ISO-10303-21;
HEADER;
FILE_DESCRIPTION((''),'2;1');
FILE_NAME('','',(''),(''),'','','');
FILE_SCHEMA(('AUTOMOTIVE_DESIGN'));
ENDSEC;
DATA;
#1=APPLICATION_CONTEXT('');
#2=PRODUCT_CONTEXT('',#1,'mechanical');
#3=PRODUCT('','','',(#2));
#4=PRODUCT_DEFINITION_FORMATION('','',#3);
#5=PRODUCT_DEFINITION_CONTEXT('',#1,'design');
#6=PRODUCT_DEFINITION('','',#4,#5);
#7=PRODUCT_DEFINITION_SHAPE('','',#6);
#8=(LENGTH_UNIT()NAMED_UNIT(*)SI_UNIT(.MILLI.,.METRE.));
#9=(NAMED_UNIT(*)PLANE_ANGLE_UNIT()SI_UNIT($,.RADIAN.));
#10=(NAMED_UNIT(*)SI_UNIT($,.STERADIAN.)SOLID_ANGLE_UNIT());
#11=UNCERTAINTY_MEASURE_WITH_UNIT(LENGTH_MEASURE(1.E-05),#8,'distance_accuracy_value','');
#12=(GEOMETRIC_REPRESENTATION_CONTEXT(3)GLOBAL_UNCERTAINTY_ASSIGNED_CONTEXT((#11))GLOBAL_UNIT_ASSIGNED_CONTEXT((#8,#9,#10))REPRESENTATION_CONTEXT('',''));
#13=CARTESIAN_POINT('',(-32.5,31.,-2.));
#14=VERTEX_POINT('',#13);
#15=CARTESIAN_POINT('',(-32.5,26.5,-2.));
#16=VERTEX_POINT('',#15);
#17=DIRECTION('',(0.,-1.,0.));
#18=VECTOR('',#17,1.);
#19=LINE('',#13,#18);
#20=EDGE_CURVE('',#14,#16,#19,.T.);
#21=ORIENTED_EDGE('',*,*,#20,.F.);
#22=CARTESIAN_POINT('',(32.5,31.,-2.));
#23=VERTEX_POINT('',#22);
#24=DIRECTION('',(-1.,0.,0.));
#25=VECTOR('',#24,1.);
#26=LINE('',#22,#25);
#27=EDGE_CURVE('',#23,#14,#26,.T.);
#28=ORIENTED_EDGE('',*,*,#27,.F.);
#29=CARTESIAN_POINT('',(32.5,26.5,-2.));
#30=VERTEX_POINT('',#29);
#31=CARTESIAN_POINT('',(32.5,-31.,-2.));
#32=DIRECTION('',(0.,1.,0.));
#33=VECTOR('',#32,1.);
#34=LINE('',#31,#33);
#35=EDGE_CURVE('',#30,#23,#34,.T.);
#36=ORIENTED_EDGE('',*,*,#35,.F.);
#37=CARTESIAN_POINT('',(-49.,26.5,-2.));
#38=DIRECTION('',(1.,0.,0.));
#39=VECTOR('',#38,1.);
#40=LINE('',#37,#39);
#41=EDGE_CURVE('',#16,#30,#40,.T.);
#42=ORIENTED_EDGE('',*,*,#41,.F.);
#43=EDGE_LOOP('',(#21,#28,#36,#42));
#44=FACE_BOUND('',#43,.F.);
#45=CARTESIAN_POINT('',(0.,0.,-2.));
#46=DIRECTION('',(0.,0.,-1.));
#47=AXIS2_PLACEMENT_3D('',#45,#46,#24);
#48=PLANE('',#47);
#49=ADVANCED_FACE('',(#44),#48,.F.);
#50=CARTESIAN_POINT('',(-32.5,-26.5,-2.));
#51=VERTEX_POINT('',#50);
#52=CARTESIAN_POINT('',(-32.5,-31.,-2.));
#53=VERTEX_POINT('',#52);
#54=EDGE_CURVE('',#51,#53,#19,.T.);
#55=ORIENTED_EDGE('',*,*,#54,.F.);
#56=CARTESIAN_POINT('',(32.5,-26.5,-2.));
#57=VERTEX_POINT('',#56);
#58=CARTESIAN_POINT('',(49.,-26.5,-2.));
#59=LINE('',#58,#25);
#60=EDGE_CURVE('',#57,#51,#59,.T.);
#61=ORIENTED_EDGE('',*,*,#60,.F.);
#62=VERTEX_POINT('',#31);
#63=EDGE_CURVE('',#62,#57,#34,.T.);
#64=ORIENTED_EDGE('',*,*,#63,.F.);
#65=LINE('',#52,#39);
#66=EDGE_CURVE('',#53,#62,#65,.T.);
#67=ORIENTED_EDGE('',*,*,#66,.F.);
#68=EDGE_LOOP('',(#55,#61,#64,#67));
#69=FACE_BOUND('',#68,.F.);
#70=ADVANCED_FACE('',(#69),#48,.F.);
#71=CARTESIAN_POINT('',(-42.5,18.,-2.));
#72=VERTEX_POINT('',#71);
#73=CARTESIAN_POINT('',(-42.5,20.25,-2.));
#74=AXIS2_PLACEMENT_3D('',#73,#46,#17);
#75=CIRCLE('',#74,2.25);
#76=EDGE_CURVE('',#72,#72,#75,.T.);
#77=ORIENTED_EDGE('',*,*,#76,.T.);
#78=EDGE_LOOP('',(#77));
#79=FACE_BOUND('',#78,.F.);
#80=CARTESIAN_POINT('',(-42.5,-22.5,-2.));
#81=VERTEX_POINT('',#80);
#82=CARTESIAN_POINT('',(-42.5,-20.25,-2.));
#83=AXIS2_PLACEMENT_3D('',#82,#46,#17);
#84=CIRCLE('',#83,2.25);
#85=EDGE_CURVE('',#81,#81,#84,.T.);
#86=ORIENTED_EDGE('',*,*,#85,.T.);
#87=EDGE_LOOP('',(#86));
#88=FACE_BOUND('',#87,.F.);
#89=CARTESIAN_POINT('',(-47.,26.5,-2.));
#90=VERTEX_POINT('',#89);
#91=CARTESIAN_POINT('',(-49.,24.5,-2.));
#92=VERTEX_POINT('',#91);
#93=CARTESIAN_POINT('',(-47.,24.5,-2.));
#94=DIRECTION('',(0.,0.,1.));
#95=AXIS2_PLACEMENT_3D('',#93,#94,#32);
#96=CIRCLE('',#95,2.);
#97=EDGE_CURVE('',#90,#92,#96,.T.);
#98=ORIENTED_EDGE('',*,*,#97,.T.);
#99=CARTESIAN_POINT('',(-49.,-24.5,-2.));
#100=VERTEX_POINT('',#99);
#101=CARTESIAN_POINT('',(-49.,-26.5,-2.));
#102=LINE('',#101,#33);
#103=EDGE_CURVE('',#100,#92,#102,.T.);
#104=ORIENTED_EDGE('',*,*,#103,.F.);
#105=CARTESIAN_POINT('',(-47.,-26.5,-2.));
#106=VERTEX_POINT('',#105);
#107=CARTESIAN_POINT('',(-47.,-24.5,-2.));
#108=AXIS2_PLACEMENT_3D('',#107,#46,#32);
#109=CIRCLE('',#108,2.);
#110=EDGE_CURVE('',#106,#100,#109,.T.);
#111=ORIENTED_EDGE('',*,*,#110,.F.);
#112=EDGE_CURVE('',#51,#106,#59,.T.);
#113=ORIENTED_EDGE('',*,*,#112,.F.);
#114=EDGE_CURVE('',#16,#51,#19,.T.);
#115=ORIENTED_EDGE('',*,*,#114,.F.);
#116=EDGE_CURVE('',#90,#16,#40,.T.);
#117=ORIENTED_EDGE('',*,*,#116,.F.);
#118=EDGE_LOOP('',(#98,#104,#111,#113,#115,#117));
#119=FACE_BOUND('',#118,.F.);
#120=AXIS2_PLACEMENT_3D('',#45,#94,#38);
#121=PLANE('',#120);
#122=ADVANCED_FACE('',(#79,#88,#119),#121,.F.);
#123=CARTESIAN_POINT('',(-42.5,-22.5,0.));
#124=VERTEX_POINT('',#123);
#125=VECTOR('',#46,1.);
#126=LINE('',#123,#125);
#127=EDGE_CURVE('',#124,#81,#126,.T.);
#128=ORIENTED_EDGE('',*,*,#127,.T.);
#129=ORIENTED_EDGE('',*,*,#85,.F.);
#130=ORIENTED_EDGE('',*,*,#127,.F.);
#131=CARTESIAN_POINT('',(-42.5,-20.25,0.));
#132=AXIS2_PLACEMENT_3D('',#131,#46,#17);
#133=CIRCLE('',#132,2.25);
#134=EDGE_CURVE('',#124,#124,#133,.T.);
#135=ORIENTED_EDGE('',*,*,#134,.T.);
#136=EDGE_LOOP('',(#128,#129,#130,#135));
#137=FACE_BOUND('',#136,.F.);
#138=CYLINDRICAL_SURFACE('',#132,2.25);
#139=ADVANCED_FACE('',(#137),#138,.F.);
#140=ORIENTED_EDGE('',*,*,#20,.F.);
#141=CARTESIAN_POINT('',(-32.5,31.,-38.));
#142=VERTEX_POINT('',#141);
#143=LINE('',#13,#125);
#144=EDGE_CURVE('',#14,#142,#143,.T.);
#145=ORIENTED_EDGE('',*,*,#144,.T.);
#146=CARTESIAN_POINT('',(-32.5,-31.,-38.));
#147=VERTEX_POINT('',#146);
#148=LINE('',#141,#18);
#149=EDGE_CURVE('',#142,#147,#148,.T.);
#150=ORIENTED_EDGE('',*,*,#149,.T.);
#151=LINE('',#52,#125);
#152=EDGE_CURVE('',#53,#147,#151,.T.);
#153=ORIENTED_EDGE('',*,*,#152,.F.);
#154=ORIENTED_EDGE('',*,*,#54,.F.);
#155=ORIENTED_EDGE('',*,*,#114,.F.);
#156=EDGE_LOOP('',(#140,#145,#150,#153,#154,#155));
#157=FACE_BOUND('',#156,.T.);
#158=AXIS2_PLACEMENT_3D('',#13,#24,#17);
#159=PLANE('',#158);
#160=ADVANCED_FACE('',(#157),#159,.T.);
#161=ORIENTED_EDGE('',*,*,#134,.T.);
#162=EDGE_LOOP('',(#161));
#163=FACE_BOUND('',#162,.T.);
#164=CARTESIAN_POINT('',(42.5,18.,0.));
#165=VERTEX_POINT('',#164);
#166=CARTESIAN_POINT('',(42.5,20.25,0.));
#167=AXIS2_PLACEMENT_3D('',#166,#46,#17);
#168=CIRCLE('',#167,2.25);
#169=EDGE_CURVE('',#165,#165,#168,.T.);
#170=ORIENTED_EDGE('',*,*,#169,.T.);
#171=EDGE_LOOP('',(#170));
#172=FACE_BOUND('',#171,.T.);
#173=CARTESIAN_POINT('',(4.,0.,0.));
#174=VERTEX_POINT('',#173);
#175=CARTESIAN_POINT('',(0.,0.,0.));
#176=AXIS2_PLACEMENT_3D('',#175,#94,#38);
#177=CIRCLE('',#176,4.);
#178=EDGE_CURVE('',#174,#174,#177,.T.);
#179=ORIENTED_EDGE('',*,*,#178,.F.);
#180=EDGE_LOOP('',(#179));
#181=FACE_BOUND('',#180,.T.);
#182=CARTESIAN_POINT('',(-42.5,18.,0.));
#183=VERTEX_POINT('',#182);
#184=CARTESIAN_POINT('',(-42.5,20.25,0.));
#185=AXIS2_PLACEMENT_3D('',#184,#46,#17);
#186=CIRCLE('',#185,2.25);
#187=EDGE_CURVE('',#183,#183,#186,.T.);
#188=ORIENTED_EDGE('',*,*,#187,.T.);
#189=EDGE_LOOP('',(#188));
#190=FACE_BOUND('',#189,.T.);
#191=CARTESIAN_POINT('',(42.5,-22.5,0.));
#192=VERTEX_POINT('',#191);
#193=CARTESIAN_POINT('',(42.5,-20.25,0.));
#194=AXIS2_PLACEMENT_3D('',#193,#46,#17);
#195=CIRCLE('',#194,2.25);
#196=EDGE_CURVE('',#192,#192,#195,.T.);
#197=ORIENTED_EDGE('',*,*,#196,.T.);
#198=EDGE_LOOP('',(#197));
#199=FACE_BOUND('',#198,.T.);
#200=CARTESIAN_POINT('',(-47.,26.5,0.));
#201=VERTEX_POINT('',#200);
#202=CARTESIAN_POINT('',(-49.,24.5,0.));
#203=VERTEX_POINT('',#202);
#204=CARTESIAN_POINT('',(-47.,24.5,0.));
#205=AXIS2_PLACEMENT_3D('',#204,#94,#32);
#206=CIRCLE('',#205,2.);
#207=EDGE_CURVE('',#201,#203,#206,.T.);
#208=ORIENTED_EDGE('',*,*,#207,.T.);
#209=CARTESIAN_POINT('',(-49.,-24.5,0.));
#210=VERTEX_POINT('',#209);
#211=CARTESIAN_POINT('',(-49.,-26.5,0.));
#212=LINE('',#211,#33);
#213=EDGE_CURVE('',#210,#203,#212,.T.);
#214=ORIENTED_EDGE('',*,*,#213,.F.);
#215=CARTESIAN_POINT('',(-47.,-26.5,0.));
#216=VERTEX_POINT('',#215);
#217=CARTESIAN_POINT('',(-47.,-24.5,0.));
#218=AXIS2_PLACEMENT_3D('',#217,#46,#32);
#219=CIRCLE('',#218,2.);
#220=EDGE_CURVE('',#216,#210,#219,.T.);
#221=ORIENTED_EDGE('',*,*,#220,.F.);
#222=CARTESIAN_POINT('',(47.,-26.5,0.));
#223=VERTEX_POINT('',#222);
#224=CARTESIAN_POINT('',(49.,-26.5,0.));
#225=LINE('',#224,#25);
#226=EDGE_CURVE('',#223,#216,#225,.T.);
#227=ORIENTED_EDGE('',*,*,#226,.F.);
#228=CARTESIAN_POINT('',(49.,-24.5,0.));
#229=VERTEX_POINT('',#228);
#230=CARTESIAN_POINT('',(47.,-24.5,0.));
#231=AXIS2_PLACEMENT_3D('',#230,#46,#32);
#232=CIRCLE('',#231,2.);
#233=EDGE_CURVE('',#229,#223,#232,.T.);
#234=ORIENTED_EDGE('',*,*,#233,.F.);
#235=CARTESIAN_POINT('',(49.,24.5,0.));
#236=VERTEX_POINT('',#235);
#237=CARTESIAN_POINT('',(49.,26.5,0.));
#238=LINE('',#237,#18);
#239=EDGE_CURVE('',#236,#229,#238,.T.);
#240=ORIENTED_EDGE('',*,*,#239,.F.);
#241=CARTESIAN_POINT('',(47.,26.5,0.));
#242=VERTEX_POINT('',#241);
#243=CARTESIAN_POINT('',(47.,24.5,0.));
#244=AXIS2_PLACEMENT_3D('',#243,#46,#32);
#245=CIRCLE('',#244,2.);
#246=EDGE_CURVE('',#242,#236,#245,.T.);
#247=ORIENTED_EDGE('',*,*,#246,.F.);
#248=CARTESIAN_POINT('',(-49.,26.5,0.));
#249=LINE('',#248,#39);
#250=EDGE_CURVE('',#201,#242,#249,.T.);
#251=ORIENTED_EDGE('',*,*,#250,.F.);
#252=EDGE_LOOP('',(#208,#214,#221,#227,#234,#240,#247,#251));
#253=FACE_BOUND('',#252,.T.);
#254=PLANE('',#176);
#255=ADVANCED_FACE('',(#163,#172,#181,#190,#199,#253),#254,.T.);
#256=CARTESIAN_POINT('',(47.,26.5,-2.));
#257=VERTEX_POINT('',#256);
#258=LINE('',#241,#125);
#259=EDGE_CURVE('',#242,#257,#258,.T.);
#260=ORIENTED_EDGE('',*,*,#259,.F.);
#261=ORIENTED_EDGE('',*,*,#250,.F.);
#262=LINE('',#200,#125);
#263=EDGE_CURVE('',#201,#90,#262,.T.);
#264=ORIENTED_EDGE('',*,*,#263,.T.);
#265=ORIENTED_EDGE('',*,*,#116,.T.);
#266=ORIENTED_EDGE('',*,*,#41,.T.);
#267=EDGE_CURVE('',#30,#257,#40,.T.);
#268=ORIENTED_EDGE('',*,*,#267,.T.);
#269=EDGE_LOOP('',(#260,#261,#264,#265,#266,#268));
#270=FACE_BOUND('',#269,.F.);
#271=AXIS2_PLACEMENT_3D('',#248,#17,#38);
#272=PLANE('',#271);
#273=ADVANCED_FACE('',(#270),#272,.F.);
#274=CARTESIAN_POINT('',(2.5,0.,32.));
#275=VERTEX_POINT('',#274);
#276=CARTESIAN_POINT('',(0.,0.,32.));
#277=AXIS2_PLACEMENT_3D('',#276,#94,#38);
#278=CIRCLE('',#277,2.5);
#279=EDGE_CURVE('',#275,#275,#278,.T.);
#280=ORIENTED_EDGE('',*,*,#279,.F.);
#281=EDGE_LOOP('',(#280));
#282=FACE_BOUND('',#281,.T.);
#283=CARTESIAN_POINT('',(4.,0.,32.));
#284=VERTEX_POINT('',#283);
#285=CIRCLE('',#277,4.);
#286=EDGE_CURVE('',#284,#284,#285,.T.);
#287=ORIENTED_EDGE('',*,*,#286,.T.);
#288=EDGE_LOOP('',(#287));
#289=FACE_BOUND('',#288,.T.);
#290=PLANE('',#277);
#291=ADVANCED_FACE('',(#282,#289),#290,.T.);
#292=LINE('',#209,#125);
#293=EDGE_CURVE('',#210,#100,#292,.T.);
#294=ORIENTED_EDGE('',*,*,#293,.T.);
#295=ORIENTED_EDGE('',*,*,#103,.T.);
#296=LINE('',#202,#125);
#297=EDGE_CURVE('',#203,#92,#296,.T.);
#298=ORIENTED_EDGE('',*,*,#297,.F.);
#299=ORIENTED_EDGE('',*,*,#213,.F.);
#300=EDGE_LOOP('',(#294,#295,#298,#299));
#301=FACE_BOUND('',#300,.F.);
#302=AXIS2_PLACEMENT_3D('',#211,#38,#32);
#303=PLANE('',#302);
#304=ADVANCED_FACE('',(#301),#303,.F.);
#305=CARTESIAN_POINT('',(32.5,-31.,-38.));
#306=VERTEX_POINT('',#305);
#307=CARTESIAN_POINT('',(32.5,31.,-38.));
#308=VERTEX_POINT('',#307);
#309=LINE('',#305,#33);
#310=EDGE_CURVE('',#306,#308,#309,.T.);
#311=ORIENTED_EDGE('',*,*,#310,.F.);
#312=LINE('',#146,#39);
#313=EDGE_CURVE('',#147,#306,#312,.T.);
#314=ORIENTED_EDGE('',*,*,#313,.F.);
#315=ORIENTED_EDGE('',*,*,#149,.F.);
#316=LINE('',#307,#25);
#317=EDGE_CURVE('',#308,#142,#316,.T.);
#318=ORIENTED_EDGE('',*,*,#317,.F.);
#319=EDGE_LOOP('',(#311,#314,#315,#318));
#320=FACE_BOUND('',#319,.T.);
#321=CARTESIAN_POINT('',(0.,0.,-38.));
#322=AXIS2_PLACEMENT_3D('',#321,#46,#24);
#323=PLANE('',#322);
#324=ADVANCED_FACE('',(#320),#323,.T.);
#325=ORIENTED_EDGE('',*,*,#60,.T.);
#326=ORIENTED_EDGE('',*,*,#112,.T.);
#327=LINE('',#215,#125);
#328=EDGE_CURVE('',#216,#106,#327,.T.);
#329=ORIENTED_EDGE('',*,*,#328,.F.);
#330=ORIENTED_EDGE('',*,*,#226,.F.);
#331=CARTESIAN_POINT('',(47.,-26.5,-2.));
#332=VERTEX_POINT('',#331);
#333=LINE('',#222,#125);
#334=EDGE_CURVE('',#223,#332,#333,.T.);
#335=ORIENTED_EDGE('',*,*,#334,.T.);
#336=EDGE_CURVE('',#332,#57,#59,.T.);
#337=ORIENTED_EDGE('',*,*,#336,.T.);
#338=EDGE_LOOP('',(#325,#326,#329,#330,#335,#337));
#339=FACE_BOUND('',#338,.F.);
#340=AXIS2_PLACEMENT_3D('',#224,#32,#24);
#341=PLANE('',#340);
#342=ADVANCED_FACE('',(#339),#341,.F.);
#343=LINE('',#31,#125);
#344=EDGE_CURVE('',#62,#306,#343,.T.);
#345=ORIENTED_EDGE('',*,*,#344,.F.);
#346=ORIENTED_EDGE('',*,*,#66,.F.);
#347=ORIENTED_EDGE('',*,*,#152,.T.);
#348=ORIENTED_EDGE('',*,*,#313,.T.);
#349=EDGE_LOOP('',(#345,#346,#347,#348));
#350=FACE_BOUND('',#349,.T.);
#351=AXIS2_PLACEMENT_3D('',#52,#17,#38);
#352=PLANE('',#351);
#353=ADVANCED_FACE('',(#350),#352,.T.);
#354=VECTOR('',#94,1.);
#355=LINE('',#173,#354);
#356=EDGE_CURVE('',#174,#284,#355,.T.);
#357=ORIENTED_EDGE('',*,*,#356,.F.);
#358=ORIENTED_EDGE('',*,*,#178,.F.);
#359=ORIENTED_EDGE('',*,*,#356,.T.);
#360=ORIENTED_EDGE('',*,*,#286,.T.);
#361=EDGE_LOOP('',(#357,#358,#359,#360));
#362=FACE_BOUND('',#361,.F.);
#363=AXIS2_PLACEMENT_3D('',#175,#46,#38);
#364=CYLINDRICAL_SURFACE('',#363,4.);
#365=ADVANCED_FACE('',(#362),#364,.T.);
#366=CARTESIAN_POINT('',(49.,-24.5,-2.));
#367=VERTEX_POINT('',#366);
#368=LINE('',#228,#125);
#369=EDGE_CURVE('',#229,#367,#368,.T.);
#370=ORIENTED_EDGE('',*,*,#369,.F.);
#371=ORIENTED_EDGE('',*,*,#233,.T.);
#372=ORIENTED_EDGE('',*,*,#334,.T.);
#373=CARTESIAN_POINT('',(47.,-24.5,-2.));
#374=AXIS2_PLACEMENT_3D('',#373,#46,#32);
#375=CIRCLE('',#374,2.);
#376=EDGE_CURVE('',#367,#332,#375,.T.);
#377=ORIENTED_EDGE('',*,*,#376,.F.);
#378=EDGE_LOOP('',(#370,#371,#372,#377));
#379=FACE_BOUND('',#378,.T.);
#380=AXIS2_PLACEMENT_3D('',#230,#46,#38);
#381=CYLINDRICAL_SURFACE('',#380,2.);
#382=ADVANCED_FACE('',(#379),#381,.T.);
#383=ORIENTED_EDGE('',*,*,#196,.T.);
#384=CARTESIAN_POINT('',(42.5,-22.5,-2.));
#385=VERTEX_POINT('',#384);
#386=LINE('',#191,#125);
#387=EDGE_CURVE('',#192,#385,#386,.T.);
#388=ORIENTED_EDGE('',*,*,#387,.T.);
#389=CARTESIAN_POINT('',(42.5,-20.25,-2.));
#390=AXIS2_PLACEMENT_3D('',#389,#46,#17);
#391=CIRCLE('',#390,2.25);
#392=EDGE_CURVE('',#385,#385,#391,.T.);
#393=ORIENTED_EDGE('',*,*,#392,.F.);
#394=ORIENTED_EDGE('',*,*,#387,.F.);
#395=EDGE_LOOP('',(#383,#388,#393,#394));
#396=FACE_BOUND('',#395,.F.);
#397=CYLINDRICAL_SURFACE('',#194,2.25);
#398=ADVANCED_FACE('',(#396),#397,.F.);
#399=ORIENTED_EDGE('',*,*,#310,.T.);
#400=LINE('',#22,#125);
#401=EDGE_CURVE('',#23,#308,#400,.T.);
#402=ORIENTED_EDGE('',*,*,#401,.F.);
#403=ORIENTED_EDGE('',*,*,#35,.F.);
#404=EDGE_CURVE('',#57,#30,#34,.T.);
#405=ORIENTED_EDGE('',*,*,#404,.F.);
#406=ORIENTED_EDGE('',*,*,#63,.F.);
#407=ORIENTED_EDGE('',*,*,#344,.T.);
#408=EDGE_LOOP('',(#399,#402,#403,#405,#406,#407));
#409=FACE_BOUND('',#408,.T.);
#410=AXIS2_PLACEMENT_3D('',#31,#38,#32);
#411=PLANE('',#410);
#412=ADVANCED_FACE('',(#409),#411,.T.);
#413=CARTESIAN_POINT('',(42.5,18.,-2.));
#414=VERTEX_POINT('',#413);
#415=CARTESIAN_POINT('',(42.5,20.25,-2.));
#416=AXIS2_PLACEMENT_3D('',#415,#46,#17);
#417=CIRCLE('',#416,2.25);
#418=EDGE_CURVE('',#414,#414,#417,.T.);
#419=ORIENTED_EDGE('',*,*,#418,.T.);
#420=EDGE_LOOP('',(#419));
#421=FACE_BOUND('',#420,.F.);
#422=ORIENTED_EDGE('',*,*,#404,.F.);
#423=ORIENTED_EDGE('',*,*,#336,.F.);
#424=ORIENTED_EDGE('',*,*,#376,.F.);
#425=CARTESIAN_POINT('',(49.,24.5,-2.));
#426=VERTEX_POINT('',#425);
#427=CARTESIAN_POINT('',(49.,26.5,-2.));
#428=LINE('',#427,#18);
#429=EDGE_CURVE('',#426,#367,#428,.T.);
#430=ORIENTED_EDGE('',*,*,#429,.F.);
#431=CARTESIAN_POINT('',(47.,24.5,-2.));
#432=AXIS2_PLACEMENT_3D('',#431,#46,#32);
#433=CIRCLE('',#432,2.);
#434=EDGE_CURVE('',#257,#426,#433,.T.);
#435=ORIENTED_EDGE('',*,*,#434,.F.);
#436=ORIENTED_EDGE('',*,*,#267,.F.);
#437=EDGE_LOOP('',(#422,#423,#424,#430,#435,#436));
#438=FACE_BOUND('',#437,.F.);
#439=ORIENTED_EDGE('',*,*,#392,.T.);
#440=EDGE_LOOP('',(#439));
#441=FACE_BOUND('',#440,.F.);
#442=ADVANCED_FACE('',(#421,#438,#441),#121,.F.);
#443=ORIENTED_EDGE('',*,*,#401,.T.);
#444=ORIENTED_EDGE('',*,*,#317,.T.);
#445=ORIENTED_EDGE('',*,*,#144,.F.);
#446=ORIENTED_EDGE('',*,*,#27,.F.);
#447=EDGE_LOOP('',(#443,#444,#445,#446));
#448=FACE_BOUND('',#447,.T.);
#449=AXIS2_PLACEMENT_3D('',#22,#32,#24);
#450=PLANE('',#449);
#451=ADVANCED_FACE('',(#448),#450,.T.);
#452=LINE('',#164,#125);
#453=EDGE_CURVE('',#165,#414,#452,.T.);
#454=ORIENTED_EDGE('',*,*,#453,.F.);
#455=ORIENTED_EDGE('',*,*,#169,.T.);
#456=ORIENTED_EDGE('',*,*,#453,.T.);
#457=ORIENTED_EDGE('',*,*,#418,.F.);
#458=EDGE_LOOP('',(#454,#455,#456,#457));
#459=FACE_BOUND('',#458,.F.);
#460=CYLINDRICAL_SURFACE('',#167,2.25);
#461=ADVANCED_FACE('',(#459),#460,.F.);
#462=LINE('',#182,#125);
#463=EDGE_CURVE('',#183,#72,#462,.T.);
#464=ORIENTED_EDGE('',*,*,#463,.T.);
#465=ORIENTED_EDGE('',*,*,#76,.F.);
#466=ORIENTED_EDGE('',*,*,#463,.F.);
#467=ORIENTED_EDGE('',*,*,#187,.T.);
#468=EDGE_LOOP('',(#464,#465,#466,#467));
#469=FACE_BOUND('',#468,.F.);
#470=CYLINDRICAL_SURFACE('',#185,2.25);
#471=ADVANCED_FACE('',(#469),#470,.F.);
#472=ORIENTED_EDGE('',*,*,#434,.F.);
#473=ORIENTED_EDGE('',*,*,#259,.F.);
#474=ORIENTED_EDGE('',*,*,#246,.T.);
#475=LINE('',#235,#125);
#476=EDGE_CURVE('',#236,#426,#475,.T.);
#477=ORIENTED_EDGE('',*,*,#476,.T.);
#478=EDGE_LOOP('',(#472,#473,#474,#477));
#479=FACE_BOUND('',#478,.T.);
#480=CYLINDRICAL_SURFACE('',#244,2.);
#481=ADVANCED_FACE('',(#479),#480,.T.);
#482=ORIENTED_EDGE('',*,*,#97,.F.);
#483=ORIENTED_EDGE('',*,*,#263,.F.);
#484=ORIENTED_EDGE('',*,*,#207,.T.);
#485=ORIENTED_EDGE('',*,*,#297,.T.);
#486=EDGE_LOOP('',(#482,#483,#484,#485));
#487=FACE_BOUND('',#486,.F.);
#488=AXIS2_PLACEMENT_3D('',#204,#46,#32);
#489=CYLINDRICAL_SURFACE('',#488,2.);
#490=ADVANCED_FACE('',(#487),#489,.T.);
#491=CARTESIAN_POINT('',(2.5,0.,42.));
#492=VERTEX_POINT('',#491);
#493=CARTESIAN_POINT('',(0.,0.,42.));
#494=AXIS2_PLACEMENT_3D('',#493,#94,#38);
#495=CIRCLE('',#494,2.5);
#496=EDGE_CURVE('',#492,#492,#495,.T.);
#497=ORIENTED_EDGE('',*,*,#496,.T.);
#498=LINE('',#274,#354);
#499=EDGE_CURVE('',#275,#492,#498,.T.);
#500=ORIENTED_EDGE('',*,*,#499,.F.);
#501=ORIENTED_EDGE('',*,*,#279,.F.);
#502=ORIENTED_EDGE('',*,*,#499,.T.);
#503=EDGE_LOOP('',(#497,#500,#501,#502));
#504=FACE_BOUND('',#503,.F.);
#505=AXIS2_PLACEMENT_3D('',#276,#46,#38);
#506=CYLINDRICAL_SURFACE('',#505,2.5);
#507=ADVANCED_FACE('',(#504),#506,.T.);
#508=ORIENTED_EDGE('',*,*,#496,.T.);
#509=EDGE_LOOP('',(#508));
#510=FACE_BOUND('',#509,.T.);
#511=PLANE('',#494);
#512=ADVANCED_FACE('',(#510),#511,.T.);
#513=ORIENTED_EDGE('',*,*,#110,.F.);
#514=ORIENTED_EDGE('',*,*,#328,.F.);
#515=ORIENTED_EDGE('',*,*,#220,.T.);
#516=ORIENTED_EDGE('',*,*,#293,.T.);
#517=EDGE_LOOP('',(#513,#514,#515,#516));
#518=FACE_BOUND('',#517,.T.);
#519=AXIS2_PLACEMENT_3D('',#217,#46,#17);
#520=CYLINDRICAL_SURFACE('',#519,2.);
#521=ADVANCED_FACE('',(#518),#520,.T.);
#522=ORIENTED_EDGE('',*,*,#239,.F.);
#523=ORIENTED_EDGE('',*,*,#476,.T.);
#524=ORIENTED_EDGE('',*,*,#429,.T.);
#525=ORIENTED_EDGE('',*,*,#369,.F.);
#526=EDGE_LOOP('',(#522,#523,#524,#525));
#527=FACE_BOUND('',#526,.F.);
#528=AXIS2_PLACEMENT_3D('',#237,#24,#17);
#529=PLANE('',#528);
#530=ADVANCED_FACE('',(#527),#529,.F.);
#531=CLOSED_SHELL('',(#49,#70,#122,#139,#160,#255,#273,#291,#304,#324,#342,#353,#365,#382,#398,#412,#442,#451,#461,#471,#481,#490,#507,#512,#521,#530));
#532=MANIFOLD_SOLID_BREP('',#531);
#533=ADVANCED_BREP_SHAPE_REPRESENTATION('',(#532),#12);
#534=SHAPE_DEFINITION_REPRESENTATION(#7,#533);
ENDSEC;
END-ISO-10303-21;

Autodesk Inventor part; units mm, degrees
ref_plane "YZ Plane" through (0, 0, 0) normal (1, 0, 0) x (0, 1, 0)
ref_plane "XZ Plane" through (0, 0, 0) normal (0, 1, 0) x (-1, 0, 0)
ref_plane "XY Plane" through (0, 0, 0) normal (0, 0, 1) x (1, 0, 0)
sketch "JoystickMount" plane through (0, 0, 0) normal (0, 0, 1) x (1, 0, 0)
  line L0 (-49, 26.5) -> (49, 26.5)
  line L1 (49, 26.5) -> (49, -26.5)
  line L2 (49, -26.5) -> (-49, -26.5)
  line L3 (-49, -26.5) -> (-49, 26.5)
  point P0 (0, 0)
  point P1 (-49, 0)
  point P2 (0, 26.5)
  point P3 (0, -26.5)
  point P4 (49, 0)
  dimension "d0" = 53
  dimension "d2" = 98
extrude "JoystickMountPlate" add sketch "JoystickMount" against normal blind 2
fillet "MountPlateCornerFillet" radius 2 4 edges at (49, 26.5, -1) (-49, 26.5, -1) (-49, -26.5, -1) (49, -26.5, -1)
sketch "BodySketch" plane through (0, 0, -2) normal (0, 0, -1) x (-1, 0, 0)
  line L0 (-32.5, 31) -> (32.5, 31)
  line L1 (32.5, 31) -> (32.5, -31)
  line L2 (32.5, -31) -> (-32.5, -31)
  line L3 (-32.5, -31) -> (-32.5, 31)
  point P0 (0, 0)
  point P1 (-32.5, 0)
  point P2 (0, 31)
  dimension "d6" = 65
  dimension "d8" = 62
extrude "JoystickBody" add sketch "BodySketch" along normal blind 36
sketch "JoystickPostCenter" plane through (0, 0, 0) normal (0, 0, 1) x (1, 0, 0)
  circle A0 centre (0, 0) radius 4
  dimension "d11" = 8
extrude "Shaft" add sketch "JoystickPostCenter" along normal blind 32
sketch "ThreadSketch" plane through (0, 0, 32) normal (0, 0, 1) x (1, 0, 0)
  circle A0 centre (0, 0) radius 4 projected
  circle A1 centre (0, 0) radius 2.5
  dimension "d14" = 5
extrude "ShaftScrew" add sketch "ThreadSketch" along normal blind 10 contours A1
thread "ShaftThread" size "M5x0.8" class "6g" standard "ANSI Metric M Profile" full length
sketch "MountHoles" plane through (0, 0, 0) normal (0, 0, 1) x (1, 0, 0)
  circle A0 centre (0, 0) radius 4 projected
  line L0 (47, -26.5) -> (-47, -26.5) projected
  line L1 (-42.5, 20.25) -> (-42.5, -20.25) construction
  line L2 (-42.5, -20.25) -> (42.5, -20.25) construction
  point P0 (42.5, 20.25)
  point P1 (-42.5, 0)
  point P2 (0, -20.25)
  dimension "d44" = 40.5
  dimension "d46" = 85
hole "MountingHoles" at (-42.5, 20.25, 0) at (-42.5, -20.25, 0) at (42.5, -20.25, 0) at (42.5, 20.25, 0) direction (0, 0, -1) diameter 4.5 end through all clearance for "Flat Head Machine Screw" size "M4" standard "Ansi Metric M Profile"
properties part number "JLF-TP-8YT_body" material "Steel AISI 4620"
